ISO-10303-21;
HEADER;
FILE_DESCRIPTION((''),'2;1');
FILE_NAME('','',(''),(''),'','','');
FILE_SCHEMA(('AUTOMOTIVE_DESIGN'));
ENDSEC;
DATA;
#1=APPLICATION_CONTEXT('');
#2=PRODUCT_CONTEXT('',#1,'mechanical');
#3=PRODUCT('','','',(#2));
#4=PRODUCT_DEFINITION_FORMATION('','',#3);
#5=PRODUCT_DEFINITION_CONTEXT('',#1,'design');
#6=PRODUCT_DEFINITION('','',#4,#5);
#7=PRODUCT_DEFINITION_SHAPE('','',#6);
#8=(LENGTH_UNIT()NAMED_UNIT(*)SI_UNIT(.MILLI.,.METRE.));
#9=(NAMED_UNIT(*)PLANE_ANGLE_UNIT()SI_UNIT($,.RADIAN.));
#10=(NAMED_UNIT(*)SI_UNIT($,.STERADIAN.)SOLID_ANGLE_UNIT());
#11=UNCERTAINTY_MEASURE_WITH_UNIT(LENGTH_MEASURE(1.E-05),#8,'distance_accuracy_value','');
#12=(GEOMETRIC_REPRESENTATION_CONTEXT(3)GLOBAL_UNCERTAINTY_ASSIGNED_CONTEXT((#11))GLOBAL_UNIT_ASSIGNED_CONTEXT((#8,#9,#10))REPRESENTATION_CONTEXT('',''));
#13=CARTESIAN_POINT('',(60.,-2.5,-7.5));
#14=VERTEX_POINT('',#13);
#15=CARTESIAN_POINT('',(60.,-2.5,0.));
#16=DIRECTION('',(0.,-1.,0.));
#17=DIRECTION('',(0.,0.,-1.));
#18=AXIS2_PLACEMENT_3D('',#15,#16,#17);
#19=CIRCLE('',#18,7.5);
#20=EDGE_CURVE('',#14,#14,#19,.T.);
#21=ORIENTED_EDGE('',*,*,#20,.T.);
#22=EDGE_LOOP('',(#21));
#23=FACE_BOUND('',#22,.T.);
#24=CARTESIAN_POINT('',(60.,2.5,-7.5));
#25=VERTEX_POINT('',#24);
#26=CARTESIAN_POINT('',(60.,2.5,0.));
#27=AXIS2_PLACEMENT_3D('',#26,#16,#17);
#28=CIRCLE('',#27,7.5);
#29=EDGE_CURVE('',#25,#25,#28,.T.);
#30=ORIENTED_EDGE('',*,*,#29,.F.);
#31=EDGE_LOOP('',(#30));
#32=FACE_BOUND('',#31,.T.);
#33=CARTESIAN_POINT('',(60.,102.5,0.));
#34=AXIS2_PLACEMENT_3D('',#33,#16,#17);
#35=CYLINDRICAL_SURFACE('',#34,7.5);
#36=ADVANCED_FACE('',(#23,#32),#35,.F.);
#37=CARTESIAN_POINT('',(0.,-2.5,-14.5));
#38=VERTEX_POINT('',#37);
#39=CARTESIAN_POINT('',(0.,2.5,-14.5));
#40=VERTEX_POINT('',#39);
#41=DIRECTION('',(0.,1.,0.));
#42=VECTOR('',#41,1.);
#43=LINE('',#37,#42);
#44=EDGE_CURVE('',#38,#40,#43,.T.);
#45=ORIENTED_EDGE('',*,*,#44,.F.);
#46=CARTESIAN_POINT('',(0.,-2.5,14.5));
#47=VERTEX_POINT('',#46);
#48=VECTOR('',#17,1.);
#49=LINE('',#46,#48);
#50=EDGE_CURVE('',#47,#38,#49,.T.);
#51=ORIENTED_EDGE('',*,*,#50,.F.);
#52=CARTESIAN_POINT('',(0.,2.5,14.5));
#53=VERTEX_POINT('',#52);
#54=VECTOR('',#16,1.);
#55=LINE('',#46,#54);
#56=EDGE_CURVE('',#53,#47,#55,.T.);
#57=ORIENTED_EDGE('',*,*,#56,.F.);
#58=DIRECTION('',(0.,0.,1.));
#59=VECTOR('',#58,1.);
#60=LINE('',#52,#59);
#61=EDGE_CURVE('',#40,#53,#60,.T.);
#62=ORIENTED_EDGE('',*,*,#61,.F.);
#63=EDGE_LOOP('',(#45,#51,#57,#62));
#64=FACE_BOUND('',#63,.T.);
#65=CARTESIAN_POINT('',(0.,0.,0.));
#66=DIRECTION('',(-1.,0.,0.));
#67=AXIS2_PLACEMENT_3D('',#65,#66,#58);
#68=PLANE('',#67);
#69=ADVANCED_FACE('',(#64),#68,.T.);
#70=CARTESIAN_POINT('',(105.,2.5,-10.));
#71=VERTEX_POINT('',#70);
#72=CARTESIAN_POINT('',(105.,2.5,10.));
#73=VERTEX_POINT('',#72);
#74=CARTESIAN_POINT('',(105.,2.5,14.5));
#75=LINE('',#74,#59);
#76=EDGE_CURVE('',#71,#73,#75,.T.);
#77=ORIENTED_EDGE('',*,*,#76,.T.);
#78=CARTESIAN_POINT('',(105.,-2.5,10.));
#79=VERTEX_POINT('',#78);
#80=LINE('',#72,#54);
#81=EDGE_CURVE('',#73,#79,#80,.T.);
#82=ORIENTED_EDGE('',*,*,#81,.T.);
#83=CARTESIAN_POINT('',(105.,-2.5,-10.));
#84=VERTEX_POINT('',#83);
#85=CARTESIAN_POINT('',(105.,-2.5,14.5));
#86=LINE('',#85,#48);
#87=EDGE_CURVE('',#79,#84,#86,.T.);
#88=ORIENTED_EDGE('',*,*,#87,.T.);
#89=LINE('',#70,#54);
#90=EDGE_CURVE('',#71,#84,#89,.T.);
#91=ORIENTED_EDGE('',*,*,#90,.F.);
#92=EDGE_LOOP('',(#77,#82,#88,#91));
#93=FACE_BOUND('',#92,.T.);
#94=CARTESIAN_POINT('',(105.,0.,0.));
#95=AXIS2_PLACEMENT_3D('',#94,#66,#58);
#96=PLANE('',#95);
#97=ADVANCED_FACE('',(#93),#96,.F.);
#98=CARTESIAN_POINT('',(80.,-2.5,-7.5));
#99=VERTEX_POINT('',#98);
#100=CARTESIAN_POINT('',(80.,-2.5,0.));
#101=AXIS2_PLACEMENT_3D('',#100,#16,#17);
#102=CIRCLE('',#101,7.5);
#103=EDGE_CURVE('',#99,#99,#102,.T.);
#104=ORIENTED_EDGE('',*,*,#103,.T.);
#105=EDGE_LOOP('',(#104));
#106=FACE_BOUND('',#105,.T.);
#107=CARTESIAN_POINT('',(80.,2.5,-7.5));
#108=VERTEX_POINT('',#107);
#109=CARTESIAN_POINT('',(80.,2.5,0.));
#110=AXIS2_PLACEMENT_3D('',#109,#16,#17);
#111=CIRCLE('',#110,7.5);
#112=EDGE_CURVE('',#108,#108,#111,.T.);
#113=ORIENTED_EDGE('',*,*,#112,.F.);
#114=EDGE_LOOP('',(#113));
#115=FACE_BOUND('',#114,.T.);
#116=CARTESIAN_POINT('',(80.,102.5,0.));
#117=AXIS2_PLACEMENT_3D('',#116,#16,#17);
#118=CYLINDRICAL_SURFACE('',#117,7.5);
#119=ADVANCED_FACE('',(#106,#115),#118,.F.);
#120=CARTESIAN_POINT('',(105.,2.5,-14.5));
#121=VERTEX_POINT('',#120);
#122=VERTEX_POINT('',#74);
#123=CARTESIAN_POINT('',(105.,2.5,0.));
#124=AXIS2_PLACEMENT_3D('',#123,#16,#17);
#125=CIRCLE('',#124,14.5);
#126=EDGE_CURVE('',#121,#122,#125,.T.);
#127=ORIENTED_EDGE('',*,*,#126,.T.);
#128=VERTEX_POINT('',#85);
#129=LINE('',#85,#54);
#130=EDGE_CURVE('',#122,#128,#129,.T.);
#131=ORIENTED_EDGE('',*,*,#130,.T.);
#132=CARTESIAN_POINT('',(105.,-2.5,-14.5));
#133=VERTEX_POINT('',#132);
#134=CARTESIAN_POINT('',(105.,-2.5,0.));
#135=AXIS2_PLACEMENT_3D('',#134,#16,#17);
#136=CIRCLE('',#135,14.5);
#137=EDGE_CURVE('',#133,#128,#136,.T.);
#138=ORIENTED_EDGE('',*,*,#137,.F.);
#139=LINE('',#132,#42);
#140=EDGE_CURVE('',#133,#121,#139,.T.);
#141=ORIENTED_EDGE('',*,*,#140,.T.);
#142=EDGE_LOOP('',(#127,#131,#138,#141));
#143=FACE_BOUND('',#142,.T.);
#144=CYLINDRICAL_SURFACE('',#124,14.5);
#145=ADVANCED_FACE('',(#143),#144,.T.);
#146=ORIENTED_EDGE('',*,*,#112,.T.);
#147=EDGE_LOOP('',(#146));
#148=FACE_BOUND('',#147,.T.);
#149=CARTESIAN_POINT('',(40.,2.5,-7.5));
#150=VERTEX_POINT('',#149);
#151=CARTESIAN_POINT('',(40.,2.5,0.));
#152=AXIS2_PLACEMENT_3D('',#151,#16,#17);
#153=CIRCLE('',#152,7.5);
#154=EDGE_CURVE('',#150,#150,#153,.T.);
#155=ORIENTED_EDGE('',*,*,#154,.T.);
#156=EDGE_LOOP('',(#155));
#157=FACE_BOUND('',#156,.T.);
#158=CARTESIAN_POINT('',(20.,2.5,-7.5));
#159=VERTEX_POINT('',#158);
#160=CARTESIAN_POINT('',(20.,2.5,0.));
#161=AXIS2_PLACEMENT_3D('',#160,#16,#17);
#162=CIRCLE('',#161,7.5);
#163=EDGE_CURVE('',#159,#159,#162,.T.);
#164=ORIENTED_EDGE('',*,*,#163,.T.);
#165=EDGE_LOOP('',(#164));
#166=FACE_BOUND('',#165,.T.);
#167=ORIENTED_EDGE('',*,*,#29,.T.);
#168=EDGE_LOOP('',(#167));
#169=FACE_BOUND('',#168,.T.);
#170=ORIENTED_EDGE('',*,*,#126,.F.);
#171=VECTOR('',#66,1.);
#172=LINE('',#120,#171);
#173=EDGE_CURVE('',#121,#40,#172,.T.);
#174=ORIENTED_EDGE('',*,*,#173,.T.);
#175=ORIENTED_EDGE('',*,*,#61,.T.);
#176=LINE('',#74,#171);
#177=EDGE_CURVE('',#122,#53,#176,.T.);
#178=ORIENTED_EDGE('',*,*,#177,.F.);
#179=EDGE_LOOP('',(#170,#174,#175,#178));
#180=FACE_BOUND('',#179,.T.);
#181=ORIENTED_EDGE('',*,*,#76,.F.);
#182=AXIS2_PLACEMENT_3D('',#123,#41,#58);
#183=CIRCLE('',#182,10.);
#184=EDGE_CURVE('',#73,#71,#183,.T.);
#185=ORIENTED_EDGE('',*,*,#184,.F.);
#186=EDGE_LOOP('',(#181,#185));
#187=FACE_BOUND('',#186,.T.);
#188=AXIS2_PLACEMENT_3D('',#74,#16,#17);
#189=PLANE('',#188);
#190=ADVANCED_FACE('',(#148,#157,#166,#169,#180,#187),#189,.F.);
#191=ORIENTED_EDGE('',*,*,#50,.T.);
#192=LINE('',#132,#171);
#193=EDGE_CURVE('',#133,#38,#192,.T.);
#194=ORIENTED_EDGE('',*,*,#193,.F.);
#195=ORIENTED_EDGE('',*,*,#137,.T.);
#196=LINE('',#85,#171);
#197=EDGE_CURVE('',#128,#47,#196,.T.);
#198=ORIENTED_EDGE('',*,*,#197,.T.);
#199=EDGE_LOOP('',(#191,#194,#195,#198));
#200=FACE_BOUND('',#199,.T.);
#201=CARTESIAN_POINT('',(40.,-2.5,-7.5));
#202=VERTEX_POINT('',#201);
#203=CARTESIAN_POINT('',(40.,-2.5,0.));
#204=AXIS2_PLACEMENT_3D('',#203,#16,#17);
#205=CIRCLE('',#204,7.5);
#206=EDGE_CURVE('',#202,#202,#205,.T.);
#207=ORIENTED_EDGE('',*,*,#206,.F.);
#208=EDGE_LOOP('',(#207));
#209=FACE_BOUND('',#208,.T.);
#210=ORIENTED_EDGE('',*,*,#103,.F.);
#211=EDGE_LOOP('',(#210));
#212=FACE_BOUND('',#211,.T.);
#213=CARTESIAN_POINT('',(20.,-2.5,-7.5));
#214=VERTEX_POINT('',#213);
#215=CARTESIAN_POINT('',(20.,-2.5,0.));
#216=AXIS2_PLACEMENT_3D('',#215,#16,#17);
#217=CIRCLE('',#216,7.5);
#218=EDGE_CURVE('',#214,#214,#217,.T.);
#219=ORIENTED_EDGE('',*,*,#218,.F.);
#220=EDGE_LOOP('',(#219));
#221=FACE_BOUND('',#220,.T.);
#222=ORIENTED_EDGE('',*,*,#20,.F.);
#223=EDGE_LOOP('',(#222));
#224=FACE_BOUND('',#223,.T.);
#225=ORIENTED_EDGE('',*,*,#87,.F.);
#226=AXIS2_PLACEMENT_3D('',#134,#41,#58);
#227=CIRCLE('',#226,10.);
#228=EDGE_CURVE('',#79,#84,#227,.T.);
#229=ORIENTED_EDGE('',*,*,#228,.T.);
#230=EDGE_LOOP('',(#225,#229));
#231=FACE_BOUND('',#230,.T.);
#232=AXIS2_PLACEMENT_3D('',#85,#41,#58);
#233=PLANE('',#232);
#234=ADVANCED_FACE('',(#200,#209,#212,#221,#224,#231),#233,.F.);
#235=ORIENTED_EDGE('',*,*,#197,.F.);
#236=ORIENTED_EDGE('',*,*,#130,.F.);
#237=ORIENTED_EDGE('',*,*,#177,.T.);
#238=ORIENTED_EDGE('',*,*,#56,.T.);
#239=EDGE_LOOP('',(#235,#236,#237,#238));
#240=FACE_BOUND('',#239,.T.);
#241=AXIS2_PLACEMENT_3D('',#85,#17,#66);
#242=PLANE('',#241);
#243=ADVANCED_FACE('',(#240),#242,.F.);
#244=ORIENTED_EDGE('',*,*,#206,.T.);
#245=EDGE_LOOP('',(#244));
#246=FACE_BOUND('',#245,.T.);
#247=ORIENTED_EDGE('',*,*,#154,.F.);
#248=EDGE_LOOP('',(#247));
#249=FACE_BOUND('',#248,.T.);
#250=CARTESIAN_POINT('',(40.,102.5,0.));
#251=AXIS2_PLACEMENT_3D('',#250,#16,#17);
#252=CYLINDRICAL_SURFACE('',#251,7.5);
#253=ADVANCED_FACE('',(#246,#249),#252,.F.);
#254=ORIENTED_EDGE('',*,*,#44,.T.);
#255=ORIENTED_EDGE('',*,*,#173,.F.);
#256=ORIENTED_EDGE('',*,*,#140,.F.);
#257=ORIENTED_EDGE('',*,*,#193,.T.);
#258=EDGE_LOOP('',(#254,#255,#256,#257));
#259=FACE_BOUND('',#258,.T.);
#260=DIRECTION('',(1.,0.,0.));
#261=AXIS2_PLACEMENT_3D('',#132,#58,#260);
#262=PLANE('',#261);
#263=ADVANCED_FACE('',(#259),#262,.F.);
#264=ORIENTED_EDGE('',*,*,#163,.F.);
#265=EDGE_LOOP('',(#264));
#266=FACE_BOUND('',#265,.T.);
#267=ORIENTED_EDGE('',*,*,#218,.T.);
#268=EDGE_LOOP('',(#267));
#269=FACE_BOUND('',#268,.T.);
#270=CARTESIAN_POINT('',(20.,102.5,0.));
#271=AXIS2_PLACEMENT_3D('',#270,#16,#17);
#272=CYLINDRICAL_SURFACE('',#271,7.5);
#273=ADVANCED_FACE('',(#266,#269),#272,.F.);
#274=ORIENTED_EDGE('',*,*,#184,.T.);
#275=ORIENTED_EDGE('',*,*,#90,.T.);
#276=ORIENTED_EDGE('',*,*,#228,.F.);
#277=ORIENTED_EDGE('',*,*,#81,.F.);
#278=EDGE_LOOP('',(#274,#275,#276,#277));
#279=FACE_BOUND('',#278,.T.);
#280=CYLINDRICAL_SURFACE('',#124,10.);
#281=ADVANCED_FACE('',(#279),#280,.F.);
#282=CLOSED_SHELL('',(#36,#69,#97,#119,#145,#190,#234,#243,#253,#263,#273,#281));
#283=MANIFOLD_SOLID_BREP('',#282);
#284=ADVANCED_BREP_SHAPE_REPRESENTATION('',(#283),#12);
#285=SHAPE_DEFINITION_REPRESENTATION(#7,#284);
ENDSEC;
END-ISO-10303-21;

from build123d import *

# Parameters (mm, degrees)
SKETCH1_W           = 29
SKETCH1_H           = 5
BOSS_EXTRUDE1_DEPTH = 105
SKETCH2_R           = 7.5
CUT_EXTRUDE1_DEPTH  = 105
BOSS_EXTRUDE2_DEPTH = 5


with BuildPart() as part:
    # Sketch1 → Boss-Extrude1 (new body)
    with BuildSketch(Plane(origin=(0, 0, 0), x_dir=(0, 0, -1), z_dir=(1, 0, 0))):
        Rectangle(SKETCH1_W, SKETCH1_H)
    extrude(amount=BOSS_EXTRUDE1_DEPTH)

    # Sketch2 → Cut-Extrude1 (cut)
    with BuildSketch(Plane.XZ.offset(2.5)):
        with Locations(Location((20, 0, 0), (0, 0, 270))):
            Circle(SKETCH2_R)
        with Locations(Location((40, 0, 0), (0, 0, 270))):
            Circle(SKETCH2_R)
        with Locations(Location((60, 0, 0), (0, 0, 270))):
            Circle(SKETCH2_R)
        with Locations(Location((80, 0, 0), (0, 0, 270))):
            Circle(SKETCH2_R)
    extrude(amount=-CUT_EXTRUDE1_DEPTH, mode=Mode.SUBTRACT)

    # Sketch3 → Boss-Extrude2 (add)
    with BuildSketch(Plane.XZ.offset(2.5)):
        with BuildLine():
            Line((105, 14.5), (105, 10))
            ThreePointArc((105, 10), (115, 0), (105, -10))
            Line((105, -10), (105, -14.5))
            ThreePointArc((105, -14.5), (119.5, 0), (105, 14.5))
        make_face()
    extrude(amount=-BOSS_EXTRUDE2_DEPTH)


solid = part.part
